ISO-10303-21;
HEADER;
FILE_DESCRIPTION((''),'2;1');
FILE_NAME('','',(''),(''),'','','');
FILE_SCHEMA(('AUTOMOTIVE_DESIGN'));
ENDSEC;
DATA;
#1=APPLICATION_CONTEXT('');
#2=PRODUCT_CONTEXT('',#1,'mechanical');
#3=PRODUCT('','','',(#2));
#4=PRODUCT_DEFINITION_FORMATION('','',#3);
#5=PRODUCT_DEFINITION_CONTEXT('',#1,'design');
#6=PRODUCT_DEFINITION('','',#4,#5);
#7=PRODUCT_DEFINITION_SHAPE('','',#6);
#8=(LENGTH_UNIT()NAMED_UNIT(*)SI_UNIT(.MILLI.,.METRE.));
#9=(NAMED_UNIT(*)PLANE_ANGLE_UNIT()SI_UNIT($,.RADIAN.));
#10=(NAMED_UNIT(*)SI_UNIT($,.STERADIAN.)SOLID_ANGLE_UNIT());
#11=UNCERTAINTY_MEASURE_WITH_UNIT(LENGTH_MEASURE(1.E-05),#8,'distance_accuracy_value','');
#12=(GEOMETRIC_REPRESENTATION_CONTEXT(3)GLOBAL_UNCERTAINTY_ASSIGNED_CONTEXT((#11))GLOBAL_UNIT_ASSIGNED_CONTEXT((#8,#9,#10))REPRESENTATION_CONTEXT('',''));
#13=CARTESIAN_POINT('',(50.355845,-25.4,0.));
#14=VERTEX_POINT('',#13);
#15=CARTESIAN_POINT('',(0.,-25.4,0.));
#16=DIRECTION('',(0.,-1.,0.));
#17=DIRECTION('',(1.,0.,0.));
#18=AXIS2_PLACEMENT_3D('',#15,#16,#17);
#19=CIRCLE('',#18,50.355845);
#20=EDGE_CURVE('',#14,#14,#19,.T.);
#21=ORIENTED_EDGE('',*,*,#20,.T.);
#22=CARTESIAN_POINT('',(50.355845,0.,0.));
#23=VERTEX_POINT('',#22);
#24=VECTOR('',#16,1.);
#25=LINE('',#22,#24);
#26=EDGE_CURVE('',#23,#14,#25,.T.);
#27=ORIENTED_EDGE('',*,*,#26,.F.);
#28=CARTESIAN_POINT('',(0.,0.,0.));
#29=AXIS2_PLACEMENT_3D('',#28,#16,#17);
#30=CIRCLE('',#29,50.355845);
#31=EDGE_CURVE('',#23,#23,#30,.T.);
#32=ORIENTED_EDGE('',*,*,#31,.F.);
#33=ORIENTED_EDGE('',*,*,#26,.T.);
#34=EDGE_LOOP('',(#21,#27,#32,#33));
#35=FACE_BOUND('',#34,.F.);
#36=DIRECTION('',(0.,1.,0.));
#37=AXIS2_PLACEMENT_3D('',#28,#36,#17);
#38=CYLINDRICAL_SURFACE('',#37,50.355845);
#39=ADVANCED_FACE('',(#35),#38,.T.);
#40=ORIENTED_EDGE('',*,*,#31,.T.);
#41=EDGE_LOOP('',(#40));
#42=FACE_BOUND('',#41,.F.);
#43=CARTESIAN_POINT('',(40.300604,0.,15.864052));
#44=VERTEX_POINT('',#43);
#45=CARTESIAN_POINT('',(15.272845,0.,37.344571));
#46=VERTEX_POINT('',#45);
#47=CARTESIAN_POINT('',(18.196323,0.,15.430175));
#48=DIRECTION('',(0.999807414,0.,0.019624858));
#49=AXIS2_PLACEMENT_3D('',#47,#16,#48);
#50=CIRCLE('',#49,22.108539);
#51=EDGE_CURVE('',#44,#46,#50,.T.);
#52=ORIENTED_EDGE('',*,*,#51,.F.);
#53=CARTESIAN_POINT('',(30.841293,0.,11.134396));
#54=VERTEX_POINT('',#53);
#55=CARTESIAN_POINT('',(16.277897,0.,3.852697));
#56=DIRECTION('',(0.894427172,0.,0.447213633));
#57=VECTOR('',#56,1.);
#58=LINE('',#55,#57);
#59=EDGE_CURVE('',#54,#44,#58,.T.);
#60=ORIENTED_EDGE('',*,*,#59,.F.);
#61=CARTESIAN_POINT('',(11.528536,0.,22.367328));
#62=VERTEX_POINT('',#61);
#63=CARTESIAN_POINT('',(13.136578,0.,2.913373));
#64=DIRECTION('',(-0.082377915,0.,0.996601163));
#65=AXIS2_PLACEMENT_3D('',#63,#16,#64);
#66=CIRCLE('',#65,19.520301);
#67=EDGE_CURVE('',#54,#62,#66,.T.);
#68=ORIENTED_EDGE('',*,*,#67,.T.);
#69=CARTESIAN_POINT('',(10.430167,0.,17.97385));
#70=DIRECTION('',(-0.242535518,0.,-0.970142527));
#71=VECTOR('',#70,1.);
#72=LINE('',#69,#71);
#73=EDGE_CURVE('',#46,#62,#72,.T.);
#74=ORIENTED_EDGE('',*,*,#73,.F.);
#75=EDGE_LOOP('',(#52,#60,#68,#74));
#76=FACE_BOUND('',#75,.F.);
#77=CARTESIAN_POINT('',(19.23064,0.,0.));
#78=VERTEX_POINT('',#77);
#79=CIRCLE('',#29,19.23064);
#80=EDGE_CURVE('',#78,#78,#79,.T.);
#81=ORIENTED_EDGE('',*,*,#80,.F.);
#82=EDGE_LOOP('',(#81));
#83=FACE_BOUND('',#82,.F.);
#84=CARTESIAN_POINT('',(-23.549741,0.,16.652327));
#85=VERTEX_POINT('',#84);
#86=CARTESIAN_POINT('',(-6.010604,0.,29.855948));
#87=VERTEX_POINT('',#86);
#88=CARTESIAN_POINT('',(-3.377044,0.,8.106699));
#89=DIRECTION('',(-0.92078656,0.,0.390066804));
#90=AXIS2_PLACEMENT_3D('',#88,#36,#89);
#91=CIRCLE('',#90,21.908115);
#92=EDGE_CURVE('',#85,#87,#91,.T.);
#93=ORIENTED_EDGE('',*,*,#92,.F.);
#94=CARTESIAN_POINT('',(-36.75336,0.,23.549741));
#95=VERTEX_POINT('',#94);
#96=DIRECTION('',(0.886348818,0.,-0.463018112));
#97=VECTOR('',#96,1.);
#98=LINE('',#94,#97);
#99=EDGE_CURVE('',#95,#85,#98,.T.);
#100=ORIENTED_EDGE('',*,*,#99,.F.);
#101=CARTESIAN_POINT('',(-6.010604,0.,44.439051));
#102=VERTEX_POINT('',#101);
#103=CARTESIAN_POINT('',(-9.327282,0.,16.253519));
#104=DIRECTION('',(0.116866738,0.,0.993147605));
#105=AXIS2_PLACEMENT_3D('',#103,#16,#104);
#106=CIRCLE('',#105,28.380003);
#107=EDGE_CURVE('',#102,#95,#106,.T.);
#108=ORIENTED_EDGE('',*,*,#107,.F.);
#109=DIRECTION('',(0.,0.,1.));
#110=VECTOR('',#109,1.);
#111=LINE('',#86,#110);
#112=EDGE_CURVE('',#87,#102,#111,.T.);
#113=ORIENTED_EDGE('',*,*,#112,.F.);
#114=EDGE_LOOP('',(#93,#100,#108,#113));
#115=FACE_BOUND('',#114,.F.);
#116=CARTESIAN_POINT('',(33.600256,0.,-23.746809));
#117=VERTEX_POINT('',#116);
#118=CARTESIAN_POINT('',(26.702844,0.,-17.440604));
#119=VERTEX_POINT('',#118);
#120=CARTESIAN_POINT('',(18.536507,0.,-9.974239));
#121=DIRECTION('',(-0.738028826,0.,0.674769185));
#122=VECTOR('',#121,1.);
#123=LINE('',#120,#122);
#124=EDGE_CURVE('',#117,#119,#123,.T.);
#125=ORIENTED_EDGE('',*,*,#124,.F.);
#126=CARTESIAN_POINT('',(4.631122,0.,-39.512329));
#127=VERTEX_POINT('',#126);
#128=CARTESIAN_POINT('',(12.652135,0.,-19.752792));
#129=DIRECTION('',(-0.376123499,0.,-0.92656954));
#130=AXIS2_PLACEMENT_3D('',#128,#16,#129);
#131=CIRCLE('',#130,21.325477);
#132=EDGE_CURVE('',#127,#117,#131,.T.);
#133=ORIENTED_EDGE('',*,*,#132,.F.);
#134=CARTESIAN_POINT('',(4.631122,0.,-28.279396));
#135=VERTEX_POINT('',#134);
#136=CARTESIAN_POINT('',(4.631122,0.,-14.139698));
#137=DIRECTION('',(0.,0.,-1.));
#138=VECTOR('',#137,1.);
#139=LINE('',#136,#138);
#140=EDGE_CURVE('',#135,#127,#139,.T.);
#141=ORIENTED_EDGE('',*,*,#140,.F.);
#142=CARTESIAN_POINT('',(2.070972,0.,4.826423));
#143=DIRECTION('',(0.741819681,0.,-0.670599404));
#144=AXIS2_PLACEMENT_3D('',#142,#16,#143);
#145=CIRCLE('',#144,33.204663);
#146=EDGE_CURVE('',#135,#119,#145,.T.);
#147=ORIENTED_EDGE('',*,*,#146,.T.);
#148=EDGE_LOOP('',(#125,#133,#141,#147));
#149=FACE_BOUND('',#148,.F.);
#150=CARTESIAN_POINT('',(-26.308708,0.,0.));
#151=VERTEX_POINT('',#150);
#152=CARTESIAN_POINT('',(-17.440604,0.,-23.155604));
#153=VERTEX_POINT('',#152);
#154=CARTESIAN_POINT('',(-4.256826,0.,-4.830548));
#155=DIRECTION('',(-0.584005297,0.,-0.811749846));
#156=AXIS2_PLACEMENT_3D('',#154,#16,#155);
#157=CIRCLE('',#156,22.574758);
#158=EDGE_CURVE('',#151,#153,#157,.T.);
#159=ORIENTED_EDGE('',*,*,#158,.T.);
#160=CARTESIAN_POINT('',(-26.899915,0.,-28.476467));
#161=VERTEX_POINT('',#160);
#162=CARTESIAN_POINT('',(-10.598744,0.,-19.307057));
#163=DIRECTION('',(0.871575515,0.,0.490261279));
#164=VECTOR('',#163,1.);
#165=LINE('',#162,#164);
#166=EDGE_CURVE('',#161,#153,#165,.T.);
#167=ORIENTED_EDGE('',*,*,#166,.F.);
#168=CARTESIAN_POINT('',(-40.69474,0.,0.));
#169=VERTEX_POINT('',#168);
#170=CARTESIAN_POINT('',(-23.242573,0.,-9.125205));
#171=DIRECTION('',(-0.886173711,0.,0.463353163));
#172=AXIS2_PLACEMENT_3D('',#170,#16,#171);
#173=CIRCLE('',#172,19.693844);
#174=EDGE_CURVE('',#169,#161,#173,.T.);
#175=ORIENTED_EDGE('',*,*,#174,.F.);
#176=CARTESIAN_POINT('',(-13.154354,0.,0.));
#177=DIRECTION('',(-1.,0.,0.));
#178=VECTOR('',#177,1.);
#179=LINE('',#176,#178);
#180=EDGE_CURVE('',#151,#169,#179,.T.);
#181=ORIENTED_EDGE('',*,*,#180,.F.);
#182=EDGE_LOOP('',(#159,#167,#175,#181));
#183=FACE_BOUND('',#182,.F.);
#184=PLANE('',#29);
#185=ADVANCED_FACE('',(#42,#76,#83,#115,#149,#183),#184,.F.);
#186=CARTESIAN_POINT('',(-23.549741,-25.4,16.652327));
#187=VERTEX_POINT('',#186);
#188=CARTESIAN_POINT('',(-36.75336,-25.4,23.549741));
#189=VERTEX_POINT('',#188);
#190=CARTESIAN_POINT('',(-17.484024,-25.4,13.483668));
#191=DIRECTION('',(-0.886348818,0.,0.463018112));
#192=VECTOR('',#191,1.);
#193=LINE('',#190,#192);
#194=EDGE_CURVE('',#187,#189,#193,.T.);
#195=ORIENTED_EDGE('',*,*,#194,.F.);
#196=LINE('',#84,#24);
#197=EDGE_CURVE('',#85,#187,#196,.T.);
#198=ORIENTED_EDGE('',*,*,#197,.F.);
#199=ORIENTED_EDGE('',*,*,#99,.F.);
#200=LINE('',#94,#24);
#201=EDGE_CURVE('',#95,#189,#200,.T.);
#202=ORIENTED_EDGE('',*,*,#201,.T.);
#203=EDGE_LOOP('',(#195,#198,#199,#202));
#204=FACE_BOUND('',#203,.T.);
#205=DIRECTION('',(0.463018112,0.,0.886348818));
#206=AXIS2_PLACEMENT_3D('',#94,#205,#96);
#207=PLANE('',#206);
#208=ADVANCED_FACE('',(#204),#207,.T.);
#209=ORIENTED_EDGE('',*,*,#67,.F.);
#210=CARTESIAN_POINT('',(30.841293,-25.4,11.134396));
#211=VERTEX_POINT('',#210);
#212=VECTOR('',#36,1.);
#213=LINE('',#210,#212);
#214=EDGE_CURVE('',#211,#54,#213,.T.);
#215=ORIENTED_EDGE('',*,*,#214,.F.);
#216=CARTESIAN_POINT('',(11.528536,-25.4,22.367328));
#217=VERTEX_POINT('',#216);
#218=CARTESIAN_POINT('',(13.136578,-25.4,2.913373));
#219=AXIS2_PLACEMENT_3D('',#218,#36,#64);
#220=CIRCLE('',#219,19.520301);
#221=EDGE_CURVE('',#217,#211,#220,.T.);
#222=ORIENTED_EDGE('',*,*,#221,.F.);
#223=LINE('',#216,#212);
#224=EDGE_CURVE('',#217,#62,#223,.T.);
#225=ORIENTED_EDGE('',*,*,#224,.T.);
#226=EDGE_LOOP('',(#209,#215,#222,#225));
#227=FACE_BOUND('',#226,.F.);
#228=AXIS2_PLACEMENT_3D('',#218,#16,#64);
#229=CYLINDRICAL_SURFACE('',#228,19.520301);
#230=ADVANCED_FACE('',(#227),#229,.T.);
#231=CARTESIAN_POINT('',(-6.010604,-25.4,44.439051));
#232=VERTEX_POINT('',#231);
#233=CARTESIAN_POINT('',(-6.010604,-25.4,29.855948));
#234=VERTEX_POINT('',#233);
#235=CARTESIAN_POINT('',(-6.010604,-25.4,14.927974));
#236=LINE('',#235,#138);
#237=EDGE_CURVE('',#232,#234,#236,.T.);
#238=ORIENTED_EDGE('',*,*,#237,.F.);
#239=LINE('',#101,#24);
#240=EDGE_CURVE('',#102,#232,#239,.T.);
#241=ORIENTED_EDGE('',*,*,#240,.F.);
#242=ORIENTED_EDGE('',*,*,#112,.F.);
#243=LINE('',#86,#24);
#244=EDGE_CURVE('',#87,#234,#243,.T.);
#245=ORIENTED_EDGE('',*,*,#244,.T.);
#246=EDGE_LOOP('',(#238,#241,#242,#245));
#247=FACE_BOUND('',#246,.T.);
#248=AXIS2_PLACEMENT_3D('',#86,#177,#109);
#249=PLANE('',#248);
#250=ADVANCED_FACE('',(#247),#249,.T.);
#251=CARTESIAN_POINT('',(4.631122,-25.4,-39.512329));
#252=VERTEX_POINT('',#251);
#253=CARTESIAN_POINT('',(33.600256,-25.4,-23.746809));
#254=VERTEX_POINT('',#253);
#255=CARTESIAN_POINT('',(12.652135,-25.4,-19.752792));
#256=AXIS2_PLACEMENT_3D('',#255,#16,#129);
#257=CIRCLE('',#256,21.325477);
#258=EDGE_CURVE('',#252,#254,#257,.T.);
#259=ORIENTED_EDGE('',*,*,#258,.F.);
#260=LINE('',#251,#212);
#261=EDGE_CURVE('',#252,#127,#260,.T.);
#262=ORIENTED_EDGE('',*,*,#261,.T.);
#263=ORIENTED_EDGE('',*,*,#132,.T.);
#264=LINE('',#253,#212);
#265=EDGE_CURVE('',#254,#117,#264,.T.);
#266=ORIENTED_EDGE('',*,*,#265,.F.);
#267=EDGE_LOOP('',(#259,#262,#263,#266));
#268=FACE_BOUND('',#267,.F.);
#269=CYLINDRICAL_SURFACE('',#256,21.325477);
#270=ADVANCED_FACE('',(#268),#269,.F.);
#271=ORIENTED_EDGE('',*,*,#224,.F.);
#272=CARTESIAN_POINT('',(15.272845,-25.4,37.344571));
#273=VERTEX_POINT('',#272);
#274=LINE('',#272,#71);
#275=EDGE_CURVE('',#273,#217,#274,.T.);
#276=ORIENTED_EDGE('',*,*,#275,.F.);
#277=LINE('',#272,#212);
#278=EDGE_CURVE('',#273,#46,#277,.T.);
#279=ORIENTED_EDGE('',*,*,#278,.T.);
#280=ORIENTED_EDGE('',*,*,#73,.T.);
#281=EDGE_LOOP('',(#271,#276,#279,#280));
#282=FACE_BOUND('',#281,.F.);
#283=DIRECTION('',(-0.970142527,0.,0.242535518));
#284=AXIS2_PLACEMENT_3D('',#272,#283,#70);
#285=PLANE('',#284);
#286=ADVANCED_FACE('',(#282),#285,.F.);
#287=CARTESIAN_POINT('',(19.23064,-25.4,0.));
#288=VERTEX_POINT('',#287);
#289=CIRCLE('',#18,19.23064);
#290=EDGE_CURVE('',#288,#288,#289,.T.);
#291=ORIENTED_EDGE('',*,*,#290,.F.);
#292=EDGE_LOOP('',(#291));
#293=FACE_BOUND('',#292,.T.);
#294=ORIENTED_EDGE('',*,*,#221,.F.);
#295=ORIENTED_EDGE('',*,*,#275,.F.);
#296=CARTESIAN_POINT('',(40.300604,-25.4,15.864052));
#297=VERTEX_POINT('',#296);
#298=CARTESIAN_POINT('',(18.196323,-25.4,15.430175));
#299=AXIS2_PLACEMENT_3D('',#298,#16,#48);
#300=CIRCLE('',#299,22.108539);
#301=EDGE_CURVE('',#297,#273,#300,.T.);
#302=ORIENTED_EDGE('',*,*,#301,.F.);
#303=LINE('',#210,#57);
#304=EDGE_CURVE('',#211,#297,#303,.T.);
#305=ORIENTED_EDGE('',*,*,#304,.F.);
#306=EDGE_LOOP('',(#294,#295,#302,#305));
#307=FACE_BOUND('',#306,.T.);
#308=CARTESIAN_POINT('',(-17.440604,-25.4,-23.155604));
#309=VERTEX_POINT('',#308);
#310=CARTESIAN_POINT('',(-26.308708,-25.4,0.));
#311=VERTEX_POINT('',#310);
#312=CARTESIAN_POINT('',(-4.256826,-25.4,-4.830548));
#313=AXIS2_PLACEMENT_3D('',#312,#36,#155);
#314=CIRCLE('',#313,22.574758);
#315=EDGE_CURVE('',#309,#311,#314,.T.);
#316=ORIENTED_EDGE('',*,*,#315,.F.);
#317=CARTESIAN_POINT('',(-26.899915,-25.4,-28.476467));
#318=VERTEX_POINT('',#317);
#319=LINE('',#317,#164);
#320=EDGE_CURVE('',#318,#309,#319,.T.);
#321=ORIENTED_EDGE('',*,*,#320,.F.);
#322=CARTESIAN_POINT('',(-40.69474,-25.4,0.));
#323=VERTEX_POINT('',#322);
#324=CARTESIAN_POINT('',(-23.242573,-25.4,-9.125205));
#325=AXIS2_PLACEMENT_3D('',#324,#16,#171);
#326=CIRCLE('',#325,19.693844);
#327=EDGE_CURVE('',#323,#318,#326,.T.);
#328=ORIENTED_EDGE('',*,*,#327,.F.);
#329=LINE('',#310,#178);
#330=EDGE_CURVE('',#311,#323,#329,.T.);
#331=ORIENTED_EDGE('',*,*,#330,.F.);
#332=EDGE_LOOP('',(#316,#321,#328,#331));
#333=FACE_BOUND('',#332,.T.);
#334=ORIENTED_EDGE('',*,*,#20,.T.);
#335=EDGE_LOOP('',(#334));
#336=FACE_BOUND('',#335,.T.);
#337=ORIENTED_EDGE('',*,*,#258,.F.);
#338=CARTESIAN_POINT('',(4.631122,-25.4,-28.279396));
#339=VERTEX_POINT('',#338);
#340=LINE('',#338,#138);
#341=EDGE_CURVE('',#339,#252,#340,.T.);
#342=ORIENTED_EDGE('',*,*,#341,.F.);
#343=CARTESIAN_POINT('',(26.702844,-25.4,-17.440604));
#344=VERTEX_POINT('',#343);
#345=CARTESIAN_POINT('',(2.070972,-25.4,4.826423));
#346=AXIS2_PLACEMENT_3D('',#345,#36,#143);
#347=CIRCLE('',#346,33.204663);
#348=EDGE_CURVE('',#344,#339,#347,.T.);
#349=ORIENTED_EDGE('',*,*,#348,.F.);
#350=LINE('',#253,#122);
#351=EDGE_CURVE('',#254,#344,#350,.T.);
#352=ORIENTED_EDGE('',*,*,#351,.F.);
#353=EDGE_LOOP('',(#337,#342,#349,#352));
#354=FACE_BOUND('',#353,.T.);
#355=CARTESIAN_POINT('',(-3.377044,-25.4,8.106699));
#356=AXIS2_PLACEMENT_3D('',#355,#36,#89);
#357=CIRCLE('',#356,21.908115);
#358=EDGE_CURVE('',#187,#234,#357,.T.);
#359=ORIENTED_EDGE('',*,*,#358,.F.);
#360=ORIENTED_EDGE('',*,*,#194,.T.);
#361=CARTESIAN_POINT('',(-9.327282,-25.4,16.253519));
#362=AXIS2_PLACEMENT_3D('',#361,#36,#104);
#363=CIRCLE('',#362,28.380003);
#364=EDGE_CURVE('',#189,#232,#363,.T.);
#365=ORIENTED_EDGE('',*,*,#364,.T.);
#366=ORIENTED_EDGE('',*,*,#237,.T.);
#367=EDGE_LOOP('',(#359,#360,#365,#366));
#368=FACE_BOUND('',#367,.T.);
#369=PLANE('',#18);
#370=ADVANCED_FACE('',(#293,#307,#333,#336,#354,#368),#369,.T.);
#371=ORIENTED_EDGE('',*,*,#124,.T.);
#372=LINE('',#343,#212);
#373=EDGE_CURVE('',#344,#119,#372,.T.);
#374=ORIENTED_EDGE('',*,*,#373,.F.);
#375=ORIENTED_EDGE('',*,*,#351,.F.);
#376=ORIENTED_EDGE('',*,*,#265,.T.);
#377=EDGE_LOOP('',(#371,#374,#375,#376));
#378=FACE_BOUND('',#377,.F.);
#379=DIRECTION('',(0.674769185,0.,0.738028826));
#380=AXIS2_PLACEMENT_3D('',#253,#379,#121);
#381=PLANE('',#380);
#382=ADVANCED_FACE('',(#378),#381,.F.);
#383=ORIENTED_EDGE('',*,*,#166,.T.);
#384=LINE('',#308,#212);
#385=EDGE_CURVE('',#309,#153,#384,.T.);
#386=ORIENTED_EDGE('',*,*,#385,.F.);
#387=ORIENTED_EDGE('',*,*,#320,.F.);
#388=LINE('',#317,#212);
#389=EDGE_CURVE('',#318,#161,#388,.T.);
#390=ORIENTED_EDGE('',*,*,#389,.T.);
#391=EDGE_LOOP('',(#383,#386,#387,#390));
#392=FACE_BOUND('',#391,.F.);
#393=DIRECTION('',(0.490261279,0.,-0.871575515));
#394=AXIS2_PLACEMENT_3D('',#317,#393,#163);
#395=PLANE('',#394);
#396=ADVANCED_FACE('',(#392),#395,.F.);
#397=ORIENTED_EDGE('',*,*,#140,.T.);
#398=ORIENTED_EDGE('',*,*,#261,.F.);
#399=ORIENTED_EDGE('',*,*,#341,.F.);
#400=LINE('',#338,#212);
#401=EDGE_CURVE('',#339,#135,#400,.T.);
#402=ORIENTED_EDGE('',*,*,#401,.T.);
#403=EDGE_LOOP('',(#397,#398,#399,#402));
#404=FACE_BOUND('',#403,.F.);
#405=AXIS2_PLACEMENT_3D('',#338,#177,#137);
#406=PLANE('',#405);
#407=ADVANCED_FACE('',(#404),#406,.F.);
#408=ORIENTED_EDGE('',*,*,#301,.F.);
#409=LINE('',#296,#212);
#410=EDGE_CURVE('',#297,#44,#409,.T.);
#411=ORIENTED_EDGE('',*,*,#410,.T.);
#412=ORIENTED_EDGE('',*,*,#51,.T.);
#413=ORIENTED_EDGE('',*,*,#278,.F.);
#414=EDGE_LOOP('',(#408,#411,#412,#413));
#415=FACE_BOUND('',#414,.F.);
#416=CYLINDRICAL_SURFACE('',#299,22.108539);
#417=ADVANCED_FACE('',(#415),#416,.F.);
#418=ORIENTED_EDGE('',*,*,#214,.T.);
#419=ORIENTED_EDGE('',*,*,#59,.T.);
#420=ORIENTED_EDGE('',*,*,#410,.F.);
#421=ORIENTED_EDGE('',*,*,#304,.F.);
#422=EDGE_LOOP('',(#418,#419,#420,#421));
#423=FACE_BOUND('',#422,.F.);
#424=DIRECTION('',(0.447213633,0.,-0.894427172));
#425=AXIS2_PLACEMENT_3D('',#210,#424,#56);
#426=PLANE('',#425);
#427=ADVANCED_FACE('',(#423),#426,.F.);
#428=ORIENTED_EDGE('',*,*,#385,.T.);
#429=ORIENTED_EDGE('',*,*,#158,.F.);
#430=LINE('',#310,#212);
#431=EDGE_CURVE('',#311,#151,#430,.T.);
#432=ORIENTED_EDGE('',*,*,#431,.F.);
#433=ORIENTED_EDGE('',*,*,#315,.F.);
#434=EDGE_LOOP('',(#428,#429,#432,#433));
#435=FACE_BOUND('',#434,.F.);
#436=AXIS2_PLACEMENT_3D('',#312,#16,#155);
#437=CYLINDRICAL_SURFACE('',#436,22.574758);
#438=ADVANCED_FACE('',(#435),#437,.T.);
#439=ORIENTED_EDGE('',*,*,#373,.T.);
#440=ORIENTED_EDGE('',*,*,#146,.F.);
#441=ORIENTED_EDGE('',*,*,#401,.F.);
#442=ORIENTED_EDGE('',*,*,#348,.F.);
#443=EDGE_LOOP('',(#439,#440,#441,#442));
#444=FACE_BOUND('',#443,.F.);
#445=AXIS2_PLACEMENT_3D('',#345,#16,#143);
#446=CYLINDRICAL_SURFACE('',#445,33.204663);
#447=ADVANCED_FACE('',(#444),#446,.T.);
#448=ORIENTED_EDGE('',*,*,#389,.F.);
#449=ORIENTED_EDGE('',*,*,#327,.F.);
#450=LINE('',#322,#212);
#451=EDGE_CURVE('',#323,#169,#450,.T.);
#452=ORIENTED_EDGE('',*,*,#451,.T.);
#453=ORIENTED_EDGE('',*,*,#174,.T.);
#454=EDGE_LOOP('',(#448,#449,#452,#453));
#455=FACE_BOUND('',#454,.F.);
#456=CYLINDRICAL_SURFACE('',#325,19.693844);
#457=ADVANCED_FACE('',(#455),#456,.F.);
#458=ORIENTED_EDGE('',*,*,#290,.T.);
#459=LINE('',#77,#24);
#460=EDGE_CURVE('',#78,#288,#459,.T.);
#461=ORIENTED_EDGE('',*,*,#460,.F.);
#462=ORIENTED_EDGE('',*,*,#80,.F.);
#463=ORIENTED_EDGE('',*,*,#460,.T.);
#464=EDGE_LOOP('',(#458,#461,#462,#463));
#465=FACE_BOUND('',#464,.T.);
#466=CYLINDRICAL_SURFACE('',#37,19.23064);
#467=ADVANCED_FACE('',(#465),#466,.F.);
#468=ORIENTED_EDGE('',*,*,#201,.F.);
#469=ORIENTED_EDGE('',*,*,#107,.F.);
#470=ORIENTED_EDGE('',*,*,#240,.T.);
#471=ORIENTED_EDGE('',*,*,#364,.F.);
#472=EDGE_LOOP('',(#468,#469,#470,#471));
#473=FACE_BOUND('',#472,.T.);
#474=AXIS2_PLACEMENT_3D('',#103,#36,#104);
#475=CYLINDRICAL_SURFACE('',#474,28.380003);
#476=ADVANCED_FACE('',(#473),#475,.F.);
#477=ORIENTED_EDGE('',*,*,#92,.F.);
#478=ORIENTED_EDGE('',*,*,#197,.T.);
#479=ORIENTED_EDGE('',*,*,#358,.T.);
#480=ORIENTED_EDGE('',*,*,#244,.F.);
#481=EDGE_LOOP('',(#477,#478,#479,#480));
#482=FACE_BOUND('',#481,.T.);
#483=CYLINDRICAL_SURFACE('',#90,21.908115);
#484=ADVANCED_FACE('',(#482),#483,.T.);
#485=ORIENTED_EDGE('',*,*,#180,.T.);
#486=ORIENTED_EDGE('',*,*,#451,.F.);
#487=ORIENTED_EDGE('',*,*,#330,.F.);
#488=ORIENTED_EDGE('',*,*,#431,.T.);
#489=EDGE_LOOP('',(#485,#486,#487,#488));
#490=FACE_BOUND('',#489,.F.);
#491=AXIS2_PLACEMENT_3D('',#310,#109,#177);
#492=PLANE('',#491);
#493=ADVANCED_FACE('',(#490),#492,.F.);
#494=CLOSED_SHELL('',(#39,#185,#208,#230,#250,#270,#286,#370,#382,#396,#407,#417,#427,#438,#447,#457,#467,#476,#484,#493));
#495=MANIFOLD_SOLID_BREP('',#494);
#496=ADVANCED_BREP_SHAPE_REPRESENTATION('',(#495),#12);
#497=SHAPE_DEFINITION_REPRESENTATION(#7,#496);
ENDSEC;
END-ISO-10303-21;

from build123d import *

# Parameters (mm, degrees)
F0_R     = 50.355845
F0_R_2   = 19.23064
F2_DEPTH = 25.4
F3_DEPTH = 159.512
F6_DEPTH = 39.624
F7_DEPTH = 60.452


with BuildPart() as f2:
    # F0 (on Front) → F2 (new body)
    with BuildSketch(Plane.XZ):
        Circle(F0_R)
        Circle(F0_R_2, mode=Mode.SUBTRACT)
    extrude(amount=F2_DEPTH)

    # F1 (on face) → F3 (cut)
    with BuildSketch(Plane.XZ):
        with BuildLine():
            ThreePointArc((-6.010604, 44.439051), (-25.277411, 39.727291), (-36.75336, 23.549741))
            Line((-36.75336, 23.549741), (-23.549741, 16.652327))
            ThreePointArc((-23.549741, 16.652327), (-16.553358, 25.609562), (-6.010604, 29.855948))
            Line((-6.010604, 29.855948), (-6.010604, 44.439051))
        make_face()
    extrude(amount=F3_DEPTH, mode=Mode.SUBTRACT)

    # F4 (on face) → F6 (cut)
    with BuildSketch(Plane.XZ.offset(25.4)):
        with BuildLine():
            ThreePointArc((-17.440604, -23.155604), (-25.338416, -12.904348), (-26.308708, 0))
            Line((-26.308708, 0), (-40.69474, 0))
            ThreePointArc((-40.69474, 0), (-40.96629, -17.711086), (-26.899915, -28.476467))
            Line((-26.899915, -28.476467), (-17.440604, -23.155604))
        make_face()
    extrude(amount=-F6_DEPTH, mode=Mode.SUBTRACT)

    # F5 (on face) → F7 (cut)
    with BuildSketch(Plane.XZ.offset(25.4)):
        with BuildLine():
            Line((15.272845, 37.344571), (11.528536, 22.367328))
            ThreePointArc((11.528536, 22.367328), (22.950874, 19.787073), (30.841293, 11.134396))
            Line((30.841293, 11.134396), (40.300604, 15.864052))
            ThreePointArc((40.300604, 15.864052), (32.595246, 32.2069), (15.272845, 37.344571))
        make_face()
        with BuildLine():
            ThreePointArc((26.702844, -17.440604), (16.707275, -24.978413), (4.631122, -28.279396))
            Line((4.631122, -28.279396), (4.631122, -39.512329))
            ThreePointArc((4.631122, -39.512329), (22.846027, -38.484063), (33.600256, -23.746809))
            Line((33.600256, -23.746809), (26.702844, -17.440604))
        make_face()
    extrude(amount=-F7_DEPTH, mode=Mode.SUBTRACT)


solid = f2.part
